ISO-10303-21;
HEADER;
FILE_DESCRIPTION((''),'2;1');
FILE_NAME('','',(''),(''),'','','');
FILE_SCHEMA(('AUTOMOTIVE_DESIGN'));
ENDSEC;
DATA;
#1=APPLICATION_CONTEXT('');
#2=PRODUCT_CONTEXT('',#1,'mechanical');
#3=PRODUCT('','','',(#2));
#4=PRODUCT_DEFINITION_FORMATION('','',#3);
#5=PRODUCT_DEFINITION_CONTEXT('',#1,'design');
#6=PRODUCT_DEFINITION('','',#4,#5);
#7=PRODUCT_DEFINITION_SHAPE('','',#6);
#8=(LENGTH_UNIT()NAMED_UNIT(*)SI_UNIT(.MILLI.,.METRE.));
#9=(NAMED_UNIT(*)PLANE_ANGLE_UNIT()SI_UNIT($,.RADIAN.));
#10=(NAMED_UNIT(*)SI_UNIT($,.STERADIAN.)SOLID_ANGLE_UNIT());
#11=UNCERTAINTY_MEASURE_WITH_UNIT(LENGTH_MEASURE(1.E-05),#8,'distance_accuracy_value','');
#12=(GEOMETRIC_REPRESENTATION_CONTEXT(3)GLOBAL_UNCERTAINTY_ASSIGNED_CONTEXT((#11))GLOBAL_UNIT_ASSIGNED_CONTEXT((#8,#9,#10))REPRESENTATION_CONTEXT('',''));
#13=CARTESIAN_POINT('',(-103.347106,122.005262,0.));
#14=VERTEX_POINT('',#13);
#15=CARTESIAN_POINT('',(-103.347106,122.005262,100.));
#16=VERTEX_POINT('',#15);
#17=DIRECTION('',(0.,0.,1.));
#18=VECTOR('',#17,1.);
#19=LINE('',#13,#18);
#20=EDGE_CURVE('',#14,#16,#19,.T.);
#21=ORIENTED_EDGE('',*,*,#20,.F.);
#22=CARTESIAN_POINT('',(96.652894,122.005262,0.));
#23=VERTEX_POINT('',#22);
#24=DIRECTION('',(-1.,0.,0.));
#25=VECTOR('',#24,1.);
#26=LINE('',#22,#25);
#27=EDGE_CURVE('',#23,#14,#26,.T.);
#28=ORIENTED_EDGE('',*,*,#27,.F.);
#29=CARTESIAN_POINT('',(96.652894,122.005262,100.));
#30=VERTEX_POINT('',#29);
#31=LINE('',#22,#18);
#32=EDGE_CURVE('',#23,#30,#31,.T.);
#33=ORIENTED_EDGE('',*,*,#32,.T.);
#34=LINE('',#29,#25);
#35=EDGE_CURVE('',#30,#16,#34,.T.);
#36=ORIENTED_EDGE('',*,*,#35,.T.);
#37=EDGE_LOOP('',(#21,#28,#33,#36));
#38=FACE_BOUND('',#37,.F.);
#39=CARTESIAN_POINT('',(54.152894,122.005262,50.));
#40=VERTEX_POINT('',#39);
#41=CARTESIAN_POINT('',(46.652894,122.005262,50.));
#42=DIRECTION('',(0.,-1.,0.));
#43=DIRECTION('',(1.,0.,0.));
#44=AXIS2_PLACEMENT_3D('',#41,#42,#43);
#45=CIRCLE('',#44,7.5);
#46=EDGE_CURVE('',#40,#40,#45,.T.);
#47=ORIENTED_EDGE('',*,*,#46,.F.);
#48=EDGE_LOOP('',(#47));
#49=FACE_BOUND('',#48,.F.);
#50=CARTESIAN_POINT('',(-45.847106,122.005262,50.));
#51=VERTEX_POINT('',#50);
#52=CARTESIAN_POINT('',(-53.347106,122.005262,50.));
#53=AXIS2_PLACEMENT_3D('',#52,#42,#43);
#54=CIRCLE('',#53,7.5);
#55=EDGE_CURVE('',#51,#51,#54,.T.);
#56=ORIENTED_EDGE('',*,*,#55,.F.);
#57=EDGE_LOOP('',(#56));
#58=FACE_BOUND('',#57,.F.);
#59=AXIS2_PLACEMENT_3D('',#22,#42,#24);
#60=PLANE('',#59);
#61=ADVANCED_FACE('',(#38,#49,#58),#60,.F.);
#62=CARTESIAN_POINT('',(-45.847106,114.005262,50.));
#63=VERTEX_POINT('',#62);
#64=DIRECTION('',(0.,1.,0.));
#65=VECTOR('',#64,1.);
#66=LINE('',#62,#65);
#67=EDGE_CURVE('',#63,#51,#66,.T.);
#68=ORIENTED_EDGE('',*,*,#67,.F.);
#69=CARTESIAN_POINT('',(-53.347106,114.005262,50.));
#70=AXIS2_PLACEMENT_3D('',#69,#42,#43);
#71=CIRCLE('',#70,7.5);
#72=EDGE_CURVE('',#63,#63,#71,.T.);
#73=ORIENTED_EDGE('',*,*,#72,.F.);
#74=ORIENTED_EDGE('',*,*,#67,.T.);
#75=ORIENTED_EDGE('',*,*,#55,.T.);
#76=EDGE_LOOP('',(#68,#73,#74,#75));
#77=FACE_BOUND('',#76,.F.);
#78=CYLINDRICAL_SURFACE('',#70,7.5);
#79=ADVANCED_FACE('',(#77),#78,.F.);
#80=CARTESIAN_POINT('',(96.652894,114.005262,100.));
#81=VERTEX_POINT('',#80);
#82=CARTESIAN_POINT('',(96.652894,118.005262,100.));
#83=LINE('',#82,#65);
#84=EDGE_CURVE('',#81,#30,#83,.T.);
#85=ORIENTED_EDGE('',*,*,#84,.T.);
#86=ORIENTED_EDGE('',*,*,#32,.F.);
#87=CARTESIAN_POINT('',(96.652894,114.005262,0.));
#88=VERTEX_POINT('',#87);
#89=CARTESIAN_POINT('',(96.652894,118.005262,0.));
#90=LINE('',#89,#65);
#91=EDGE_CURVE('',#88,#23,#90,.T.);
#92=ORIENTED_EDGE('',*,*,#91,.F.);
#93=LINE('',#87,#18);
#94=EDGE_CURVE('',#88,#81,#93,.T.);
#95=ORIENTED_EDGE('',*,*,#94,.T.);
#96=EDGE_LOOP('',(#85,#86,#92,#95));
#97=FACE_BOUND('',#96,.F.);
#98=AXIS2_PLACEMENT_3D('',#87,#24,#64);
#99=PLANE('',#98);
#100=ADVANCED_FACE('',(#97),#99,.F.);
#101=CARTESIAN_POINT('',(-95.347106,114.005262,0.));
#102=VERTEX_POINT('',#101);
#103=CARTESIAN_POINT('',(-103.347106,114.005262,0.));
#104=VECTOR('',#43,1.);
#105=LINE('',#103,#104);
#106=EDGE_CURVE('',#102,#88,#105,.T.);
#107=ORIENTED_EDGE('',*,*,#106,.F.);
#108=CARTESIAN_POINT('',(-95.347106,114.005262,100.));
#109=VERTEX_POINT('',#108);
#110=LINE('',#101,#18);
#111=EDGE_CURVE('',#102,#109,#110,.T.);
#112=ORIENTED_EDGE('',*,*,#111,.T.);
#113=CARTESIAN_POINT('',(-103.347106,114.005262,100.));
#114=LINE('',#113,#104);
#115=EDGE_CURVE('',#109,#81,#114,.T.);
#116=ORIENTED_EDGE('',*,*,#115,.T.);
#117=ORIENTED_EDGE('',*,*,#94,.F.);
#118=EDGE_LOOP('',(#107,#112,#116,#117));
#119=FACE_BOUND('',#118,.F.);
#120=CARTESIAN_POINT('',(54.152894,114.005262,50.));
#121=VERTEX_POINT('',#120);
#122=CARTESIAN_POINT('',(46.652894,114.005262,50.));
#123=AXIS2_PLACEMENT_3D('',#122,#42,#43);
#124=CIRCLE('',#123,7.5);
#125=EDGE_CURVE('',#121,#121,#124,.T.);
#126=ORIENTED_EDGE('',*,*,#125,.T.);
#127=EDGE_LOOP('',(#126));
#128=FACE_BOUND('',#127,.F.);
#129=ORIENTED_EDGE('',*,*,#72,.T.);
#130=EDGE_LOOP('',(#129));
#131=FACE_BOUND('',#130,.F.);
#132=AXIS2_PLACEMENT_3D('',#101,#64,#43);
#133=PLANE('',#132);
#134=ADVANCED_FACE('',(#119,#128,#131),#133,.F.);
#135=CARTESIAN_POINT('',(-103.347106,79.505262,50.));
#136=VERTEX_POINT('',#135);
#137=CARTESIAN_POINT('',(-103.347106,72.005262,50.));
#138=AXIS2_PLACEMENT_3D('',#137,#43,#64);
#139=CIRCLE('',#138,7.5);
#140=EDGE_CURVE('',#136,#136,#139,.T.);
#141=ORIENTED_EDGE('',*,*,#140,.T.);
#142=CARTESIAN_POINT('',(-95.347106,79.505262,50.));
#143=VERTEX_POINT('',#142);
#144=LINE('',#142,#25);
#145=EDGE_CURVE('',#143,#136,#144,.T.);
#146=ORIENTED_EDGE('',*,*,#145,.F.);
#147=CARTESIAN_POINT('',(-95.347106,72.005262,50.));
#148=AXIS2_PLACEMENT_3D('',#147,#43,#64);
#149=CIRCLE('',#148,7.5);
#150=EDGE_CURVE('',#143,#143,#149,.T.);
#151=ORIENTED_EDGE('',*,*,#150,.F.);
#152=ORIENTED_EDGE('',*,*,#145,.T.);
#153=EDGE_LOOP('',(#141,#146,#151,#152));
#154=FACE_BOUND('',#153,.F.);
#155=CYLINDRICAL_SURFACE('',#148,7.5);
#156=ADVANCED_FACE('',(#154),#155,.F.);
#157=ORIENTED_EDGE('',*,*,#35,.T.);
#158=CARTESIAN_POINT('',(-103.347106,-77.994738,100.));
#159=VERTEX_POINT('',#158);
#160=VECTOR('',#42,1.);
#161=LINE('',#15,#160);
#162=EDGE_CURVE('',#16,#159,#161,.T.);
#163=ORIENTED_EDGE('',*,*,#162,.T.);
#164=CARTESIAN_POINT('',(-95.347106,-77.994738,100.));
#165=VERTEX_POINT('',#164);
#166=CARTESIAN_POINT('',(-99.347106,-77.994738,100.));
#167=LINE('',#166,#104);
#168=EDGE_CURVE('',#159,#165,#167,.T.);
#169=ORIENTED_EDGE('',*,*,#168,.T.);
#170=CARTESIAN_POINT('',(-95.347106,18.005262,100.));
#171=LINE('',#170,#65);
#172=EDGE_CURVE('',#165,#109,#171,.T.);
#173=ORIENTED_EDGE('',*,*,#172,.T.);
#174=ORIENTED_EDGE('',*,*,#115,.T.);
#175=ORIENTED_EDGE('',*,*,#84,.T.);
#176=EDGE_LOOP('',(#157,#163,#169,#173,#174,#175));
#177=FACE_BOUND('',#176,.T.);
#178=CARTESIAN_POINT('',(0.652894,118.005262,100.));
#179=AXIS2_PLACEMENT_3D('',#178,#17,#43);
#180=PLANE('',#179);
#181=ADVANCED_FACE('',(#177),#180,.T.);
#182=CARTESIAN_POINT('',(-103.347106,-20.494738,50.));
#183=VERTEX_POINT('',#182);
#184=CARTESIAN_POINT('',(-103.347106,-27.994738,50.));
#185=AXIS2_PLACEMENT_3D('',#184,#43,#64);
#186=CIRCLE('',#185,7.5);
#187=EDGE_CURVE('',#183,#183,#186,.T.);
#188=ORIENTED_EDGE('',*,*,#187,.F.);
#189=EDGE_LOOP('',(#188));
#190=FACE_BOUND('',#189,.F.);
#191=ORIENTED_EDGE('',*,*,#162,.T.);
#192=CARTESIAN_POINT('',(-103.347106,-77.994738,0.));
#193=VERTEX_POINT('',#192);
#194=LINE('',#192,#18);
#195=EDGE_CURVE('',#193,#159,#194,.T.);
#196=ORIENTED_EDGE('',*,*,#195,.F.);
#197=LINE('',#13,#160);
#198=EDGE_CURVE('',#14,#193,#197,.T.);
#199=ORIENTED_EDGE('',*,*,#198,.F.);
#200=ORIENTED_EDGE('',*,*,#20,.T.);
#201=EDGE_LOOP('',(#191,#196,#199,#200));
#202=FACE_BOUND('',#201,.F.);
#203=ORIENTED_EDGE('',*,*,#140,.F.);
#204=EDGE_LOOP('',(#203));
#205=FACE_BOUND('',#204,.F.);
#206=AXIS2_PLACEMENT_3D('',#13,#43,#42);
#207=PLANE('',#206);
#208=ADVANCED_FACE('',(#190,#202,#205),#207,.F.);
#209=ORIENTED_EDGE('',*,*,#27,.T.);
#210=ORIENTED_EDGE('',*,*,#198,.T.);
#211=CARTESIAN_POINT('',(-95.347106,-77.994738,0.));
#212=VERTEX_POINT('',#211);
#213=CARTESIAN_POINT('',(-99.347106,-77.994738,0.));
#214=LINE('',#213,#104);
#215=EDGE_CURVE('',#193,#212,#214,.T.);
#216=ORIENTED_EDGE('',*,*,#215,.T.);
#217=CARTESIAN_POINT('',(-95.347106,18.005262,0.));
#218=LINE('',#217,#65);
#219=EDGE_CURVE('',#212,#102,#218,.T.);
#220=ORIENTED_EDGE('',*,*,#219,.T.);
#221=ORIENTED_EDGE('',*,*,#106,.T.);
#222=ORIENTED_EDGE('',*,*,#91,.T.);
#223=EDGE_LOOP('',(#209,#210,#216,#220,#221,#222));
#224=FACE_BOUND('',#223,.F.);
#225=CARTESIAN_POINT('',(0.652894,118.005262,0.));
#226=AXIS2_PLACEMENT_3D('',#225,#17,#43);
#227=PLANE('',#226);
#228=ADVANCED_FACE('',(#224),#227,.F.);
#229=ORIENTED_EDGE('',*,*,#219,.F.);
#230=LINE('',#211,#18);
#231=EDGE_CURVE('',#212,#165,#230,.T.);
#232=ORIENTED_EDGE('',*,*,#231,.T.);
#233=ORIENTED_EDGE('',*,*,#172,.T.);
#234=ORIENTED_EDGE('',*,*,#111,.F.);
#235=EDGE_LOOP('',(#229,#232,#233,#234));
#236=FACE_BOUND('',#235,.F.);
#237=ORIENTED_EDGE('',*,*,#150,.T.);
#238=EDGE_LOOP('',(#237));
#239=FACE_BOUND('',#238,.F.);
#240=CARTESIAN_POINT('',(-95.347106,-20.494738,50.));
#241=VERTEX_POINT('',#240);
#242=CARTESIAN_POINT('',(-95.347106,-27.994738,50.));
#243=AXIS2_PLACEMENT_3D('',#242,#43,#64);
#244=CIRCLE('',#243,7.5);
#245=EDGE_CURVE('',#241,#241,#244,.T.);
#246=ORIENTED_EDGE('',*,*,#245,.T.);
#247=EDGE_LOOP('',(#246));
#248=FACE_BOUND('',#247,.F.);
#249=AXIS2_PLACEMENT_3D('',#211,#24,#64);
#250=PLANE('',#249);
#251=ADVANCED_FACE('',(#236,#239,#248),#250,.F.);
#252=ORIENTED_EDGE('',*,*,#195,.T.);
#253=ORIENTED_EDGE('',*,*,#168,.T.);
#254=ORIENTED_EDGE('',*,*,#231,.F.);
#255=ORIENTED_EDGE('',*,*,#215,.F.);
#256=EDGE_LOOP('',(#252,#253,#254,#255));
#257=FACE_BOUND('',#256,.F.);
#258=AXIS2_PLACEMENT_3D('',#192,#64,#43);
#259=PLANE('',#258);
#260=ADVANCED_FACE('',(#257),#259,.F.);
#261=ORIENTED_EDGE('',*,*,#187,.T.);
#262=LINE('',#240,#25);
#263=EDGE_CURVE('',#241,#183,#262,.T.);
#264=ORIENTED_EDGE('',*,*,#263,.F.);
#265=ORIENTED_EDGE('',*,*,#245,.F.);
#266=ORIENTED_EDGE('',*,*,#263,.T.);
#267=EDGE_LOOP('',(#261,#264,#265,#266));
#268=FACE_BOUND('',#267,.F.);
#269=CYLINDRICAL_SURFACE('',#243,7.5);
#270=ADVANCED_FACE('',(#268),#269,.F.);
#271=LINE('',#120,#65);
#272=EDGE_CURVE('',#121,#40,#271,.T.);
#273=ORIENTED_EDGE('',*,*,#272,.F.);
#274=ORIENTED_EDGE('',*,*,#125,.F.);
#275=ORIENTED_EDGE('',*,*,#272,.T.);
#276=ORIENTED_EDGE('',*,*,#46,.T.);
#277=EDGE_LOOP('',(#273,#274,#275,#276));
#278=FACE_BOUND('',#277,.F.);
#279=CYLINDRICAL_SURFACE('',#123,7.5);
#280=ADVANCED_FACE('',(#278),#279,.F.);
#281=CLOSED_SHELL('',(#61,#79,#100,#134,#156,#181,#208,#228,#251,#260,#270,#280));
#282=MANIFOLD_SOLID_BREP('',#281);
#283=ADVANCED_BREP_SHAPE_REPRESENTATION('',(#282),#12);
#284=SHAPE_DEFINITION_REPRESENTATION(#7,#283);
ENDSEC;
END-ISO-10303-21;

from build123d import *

# Parameters (mm, degrees)
F0_W     = 192
F0_H     = 8
F0_W_2   = 8
F0_H_2   = 192
F1_DEPTH = 100
F2_R     = 7.5
F3_DEPTH = 8
F4_R     = 7.5
F5_DEPTH = 8


with BuildPart() as f1:
    # F0 (on Top) → F1 (new body)
    with BuildSketch(Plane.XY):
        with Locations((0.652894, 118.005262)):
            Rectangle(F0_W, F0_H)
        with Locations((-99.347106, 118.005262)):
            Rectangle(F0_W_2, F0_H)
        with Locations((-99.347106, 18.005262)):
            Rectangle(F0_W_2, F0_H_2)
    extrude(amount=F1_DEPTH)

    # F2 (on face) → F3 (cut)
    with BuildSketch(Plane.XZ.offset(-114.005262)):
        with Locations((-53.347106, 50)):
            Circle(F2_R)
        with Locations((46.652894, 50)):
            Circle(F2_R)
    extrude(amount=-F3_DEPTH, mode=Mode.SUBTRACT)

    # F4 (on face) → F5 (cut)
    with BuildSketch(Plane.YZ.offset(-95.347106)):
        with Locations((-27.994738, 50)):
            Circle(F4_R)
        with Locations((72.005262, 50)):
            Circle(F4_R)
    extrude(amount=-F5_DEPTH, mode=Mode.SUBTRACT)


solid = f1.part
